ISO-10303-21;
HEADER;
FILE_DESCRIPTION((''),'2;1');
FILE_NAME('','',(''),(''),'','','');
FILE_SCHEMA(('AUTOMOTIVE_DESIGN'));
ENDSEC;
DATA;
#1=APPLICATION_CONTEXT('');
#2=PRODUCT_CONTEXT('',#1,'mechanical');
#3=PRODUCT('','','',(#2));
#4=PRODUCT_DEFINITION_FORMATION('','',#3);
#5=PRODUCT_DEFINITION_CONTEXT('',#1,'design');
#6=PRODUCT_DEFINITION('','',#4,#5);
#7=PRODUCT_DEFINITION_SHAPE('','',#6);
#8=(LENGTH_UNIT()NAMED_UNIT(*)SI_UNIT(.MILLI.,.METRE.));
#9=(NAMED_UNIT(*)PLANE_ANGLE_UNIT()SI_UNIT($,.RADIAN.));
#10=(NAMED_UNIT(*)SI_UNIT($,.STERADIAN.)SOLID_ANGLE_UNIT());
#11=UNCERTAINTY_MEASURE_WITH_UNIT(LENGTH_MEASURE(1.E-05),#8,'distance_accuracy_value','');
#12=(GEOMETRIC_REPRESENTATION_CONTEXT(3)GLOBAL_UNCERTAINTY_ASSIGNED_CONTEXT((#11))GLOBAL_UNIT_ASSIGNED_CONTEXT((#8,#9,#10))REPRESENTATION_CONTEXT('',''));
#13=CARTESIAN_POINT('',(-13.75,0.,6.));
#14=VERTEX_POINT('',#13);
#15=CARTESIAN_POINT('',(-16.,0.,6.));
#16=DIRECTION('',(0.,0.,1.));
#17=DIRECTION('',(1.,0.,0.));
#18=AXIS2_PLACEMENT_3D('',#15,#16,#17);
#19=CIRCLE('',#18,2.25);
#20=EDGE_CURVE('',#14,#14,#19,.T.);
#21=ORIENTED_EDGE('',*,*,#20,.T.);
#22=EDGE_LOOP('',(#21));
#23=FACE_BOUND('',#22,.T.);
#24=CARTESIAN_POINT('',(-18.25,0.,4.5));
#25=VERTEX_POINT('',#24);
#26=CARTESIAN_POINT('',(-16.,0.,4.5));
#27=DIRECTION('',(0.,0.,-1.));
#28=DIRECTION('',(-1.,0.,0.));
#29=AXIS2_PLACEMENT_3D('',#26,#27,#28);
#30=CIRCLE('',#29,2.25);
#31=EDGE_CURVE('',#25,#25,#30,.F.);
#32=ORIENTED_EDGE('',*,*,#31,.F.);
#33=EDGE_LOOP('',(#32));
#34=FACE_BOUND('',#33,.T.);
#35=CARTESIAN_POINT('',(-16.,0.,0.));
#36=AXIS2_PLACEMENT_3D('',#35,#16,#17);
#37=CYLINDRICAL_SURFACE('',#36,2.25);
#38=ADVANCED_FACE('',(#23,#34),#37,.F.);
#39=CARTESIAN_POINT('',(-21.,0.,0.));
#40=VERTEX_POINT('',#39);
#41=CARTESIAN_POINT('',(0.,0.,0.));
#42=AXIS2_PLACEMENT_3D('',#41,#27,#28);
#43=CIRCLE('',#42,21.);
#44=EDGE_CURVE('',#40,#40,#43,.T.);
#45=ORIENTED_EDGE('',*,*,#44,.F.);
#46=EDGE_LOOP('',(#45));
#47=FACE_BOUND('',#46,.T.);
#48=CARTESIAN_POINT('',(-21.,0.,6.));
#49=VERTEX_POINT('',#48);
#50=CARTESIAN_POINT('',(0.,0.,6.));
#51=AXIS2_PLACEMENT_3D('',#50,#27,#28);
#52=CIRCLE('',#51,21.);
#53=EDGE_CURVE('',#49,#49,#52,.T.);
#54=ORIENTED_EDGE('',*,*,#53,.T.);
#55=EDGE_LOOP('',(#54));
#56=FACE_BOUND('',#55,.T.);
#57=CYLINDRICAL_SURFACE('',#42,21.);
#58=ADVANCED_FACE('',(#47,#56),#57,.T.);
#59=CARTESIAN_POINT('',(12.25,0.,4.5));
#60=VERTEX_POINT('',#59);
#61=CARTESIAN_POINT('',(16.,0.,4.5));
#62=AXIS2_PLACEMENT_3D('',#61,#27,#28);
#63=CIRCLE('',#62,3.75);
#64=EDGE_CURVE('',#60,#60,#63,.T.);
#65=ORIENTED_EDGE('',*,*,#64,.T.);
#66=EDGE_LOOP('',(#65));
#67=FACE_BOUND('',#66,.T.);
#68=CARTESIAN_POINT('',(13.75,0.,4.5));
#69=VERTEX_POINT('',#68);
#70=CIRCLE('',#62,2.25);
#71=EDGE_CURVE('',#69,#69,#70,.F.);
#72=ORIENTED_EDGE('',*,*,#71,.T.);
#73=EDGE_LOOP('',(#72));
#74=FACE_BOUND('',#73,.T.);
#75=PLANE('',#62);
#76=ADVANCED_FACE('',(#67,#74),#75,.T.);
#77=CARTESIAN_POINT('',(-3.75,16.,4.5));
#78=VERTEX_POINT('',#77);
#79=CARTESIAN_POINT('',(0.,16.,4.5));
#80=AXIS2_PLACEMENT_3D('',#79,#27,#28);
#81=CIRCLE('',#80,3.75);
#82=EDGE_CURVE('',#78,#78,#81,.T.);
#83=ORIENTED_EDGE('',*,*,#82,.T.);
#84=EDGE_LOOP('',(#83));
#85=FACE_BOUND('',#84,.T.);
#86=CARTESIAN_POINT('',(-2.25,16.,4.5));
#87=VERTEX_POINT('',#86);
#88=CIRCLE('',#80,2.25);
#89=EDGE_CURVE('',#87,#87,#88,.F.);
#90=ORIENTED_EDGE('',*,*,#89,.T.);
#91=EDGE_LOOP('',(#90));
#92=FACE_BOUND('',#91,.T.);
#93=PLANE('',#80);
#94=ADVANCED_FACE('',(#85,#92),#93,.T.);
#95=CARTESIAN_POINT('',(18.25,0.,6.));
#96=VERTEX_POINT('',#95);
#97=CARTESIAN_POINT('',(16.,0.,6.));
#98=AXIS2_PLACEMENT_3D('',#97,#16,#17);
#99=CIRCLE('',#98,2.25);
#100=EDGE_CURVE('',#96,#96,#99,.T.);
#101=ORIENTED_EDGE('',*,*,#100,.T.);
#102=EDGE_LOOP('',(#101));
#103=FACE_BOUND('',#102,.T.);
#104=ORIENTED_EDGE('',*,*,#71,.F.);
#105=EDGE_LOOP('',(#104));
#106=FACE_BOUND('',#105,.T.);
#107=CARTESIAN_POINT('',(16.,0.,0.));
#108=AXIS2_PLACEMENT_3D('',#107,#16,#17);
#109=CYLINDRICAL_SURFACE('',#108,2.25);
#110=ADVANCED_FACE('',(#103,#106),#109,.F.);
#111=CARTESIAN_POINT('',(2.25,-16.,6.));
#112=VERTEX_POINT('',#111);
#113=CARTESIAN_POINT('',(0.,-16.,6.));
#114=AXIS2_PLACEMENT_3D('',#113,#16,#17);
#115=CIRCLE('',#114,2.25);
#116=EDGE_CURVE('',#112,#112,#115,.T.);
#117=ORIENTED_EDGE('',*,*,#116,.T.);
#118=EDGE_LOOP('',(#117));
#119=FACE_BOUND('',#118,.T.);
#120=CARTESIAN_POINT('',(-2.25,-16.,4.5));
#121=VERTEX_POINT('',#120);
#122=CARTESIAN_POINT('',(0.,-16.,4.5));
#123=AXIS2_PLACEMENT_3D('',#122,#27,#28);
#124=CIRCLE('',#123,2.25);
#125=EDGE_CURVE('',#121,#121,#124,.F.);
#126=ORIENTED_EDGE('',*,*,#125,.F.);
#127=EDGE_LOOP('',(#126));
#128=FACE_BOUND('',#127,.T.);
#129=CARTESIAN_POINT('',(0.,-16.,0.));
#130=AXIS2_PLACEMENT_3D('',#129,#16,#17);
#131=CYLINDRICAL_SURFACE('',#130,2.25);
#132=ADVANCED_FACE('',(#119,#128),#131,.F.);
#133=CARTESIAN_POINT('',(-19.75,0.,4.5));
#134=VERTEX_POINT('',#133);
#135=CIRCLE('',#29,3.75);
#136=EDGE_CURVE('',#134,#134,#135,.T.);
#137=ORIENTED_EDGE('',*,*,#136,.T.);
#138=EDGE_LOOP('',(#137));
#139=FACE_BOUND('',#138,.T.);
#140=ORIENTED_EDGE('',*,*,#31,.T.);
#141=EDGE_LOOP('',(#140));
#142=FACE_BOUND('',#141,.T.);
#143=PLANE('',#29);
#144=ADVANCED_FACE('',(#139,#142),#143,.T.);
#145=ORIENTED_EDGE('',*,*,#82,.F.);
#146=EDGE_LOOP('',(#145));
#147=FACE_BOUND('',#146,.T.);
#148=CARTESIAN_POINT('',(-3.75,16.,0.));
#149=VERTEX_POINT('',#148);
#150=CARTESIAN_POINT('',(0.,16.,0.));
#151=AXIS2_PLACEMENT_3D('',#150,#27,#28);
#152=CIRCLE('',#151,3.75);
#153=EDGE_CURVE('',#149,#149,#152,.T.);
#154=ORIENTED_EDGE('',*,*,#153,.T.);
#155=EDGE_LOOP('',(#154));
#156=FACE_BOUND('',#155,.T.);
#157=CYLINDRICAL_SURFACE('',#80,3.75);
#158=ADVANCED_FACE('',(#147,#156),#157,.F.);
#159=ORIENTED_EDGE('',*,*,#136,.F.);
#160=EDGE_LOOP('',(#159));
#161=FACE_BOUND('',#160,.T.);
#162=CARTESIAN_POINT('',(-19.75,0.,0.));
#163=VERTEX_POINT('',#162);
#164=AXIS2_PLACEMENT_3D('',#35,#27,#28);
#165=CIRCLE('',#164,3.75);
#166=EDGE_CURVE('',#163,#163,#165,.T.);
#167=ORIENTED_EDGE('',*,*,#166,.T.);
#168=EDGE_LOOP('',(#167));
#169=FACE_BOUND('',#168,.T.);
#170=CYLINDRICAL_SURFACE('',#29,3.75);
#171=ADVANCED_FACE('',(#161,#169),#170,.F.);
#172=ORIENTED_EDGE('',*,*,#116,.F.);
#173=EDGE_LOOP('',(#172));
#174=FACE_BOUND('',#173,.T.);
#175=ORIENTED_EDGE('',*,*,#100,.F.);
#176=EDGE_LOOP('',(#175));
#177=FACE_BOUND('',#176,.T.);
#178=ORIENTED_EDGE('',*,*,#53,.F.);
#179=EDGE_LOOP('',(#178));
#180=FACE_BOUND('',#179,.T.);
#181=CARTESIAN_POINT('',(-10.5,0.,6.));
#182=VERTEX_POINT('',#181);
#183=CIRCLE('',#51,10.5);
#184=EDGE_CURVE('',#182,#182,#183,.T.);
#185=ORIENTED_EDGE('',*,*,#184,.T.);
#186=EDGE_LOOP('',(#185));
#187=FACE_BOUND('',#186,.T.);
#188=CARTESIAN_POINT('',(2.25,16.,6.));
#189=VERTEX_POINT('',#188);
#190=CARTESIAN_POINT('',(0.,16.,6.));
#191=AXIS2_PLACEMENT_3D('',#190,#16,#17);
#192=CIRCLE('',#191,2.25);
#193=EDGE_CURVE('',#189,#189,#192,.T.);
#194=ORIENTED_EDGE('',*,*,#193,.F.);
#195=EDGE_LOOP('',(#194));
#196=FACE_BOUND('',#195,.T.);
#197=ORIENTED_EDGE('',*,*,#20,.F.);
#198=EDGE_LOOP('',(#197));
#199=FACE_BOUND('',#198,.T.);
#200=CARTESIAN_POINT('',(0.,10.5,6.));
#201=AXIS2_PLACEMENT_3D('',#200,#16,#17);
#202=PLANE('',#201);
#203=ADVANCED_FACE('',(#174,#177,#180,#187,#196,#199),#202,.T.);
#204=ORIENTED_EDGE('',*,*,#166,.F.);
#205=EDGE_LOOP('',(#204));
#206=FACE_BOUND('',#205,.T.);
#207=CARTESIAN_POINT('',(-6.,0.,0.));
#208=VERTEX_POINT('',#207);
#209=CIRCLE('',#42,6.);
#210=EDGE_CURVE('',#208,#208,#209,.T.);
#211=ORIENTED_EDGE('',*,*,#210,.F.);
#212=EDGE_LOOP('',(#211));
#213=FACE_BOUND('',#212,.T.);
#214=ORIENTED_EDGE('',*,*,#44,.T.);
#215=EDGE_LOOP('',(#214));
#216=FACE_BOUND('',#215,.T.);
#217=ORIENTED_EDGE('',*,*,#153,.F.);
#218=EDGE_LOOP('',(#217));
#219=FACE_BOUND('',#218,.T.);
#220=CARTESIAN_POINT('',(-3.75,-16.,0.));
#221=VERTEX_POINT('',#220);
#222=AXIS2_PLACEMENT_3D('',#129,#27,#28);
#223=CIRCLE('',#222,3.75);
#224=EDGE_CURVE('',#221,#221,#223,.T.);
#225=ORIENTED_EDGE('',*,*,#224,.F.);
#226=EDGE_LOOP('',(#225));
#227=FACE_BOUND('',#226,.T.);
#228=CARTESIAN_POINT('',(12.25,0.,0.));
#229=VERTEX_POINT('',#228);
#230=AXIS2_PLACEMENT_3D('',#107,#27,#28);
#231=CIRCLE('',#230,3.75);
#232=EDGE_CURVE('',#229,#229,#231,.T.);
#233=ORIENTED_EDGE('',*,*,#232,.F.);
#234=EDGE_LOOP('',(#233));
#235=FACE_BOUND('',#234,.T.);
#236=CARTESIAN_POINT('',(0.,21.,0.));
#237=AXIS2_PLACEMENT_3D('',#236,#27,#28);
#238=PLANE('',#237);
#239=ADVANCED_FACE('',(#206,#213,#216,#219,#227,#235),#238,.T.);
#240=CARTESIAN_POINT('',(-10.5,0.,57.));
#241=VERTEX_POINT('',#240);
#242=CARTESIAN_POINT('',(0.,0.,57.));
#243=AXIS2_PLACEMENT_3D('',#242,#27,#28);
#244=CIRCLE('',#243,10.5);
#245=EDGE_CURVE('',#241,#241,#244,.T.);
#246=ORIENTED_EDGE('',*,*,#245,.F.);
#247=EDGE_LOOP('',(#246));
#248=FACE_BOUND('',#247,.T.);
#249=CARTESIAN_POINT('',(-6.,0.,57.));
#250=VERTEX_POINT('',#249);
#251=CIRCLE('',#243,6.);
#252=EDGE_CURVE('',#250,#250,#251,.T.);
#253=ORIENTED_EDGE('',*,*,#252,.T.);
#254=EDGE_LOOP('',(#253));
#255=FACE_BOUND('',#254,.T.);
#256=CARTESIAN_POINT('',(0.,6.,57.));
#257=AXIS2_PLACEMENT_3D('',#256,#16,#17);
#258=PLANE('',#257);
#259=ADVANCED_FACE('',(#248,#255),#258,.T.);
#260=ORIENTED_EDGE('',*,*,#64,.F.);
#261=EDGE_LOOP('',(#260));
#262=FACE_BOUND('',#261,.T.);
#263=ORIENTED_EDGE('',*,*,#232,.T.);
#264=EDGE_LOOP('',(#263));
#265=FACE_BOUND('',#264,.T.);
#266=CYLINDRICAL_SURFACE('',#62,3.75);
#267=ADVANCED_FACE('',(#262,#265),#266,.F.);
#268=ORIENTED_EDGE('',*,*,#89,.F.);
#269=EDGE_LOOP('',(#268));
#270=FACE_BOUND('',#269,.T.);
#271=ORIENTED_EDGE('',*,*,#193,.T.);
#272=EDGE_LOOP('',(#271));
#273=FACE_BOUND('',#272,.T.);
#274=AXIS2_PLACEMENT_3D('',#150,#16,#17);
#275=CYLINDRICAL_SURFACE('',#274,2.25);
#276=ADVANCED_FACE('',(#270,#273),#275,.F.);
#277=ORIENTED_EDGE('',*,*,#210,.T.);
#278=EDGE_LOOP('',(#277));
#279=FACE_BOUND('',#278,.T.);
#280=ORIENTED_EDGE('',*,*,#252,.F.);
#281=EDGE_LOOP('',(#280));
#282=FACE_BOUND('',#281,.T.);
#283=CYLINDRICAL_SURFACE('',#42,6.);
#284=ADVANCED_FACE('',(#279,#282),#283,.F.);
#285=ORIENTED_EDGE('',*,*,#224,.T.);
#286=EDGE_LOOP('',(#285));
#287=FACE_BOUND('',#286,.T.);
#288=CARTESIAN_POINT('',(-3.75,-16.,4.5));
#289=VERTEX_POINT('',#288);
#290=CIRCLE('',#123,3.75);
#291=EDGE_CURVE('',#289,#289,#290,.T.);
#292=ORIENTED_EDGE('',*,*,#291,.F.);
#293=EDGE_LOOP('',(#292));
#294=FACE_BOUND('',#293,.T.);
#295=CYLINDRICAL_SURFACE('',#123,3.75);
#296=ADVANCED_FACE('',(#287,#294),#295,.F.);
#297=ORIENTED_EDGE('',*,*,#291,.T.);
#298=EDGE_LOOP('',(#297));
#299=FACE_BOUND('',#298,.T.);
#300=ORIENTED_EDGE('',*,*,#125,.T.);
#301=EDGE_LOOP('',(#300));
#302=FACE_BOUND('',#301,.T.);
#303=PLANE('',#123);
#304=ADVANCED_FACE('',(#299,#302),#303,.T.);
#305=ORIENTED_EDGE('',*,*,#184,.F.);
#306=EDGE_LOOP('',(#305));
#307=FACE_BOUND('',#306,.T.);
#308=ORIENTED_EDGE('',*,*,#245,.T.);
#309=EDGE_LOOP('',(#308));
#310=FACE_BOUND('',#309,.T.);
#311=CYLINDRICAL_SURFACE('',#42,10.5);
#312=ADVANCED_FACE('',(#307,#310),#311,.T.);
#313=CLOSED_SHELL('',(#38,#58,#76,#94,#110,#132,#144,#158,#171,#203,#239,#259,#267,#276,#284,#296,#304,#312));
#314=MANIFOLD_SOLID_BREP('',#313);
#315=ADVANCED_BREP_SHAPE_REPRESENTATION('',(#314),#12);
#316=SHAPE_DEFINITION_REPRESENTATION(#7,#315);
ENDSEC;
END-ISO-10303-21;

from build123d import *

# Parameters (mm, degrees)
CROQUIS6_R            = 2.25
CORTAR_EXTRUIR3_DEPTH = 7
CROQUIS7_R            = 3.75
CORTAR_EXTRUIR4_DEPTH = 4.5


with BuildPart() as part:
    # Croquis5 → Revolución1 (revolve)
    with BuildSketch(Plane(origin=(0, 0, 0), x_dir=(0, 0, -1), z_dir=(1, 0, 0))):
        Polygon((0, 6), (-57, 6), (-57, 10.5), (-6, 10.5), (-6, 21), (0, 21), align=None)
    revolve(axis=Axis((0, 0, 0), (0, 0, 1)))

    # Croquis6 → Cortar-Extruir3 (cut, through all)
    with BuildSketch(Plane.XY.offset(6)):
        with Locations((0, 16)):
            Circle(CROQUIS6_R)
        with Locations((16, 0)):
            Circle(CROQUIS6_R)
        with Locations((0, -16)):
            Circle(CROQUIS6_R)
        with Locations((-16, 0)):
            Circle(CROQUIS6_R)
    extrude(amount=-CORTAR_EXTRUIR3_DEPTH, mode=Mode.SUBTRACT)

    # Croquis7 → Cortar-Extruir4 (cut)
    with BuildSketch(Plane(origin=(0, 0, 0), x_dir=(-1, 0, 0), z_dir=(0, 0, -1))):
        with Locations((0, 16)):
            Circle(CROQUIS7_R)
        with Locations((16, 0)):
            Circle(CROQUIS7_R)
        with Locations((0, -16)):
            Circle(CROQUIS7_R)
        with Locations((-16, 0)):
            Circle(CROQUIS7_R)
    extrude(amount=-CORTAR_EXTRUIR4_DEPTH, mode=Mode.SUBTRACT)


solid = part.part
